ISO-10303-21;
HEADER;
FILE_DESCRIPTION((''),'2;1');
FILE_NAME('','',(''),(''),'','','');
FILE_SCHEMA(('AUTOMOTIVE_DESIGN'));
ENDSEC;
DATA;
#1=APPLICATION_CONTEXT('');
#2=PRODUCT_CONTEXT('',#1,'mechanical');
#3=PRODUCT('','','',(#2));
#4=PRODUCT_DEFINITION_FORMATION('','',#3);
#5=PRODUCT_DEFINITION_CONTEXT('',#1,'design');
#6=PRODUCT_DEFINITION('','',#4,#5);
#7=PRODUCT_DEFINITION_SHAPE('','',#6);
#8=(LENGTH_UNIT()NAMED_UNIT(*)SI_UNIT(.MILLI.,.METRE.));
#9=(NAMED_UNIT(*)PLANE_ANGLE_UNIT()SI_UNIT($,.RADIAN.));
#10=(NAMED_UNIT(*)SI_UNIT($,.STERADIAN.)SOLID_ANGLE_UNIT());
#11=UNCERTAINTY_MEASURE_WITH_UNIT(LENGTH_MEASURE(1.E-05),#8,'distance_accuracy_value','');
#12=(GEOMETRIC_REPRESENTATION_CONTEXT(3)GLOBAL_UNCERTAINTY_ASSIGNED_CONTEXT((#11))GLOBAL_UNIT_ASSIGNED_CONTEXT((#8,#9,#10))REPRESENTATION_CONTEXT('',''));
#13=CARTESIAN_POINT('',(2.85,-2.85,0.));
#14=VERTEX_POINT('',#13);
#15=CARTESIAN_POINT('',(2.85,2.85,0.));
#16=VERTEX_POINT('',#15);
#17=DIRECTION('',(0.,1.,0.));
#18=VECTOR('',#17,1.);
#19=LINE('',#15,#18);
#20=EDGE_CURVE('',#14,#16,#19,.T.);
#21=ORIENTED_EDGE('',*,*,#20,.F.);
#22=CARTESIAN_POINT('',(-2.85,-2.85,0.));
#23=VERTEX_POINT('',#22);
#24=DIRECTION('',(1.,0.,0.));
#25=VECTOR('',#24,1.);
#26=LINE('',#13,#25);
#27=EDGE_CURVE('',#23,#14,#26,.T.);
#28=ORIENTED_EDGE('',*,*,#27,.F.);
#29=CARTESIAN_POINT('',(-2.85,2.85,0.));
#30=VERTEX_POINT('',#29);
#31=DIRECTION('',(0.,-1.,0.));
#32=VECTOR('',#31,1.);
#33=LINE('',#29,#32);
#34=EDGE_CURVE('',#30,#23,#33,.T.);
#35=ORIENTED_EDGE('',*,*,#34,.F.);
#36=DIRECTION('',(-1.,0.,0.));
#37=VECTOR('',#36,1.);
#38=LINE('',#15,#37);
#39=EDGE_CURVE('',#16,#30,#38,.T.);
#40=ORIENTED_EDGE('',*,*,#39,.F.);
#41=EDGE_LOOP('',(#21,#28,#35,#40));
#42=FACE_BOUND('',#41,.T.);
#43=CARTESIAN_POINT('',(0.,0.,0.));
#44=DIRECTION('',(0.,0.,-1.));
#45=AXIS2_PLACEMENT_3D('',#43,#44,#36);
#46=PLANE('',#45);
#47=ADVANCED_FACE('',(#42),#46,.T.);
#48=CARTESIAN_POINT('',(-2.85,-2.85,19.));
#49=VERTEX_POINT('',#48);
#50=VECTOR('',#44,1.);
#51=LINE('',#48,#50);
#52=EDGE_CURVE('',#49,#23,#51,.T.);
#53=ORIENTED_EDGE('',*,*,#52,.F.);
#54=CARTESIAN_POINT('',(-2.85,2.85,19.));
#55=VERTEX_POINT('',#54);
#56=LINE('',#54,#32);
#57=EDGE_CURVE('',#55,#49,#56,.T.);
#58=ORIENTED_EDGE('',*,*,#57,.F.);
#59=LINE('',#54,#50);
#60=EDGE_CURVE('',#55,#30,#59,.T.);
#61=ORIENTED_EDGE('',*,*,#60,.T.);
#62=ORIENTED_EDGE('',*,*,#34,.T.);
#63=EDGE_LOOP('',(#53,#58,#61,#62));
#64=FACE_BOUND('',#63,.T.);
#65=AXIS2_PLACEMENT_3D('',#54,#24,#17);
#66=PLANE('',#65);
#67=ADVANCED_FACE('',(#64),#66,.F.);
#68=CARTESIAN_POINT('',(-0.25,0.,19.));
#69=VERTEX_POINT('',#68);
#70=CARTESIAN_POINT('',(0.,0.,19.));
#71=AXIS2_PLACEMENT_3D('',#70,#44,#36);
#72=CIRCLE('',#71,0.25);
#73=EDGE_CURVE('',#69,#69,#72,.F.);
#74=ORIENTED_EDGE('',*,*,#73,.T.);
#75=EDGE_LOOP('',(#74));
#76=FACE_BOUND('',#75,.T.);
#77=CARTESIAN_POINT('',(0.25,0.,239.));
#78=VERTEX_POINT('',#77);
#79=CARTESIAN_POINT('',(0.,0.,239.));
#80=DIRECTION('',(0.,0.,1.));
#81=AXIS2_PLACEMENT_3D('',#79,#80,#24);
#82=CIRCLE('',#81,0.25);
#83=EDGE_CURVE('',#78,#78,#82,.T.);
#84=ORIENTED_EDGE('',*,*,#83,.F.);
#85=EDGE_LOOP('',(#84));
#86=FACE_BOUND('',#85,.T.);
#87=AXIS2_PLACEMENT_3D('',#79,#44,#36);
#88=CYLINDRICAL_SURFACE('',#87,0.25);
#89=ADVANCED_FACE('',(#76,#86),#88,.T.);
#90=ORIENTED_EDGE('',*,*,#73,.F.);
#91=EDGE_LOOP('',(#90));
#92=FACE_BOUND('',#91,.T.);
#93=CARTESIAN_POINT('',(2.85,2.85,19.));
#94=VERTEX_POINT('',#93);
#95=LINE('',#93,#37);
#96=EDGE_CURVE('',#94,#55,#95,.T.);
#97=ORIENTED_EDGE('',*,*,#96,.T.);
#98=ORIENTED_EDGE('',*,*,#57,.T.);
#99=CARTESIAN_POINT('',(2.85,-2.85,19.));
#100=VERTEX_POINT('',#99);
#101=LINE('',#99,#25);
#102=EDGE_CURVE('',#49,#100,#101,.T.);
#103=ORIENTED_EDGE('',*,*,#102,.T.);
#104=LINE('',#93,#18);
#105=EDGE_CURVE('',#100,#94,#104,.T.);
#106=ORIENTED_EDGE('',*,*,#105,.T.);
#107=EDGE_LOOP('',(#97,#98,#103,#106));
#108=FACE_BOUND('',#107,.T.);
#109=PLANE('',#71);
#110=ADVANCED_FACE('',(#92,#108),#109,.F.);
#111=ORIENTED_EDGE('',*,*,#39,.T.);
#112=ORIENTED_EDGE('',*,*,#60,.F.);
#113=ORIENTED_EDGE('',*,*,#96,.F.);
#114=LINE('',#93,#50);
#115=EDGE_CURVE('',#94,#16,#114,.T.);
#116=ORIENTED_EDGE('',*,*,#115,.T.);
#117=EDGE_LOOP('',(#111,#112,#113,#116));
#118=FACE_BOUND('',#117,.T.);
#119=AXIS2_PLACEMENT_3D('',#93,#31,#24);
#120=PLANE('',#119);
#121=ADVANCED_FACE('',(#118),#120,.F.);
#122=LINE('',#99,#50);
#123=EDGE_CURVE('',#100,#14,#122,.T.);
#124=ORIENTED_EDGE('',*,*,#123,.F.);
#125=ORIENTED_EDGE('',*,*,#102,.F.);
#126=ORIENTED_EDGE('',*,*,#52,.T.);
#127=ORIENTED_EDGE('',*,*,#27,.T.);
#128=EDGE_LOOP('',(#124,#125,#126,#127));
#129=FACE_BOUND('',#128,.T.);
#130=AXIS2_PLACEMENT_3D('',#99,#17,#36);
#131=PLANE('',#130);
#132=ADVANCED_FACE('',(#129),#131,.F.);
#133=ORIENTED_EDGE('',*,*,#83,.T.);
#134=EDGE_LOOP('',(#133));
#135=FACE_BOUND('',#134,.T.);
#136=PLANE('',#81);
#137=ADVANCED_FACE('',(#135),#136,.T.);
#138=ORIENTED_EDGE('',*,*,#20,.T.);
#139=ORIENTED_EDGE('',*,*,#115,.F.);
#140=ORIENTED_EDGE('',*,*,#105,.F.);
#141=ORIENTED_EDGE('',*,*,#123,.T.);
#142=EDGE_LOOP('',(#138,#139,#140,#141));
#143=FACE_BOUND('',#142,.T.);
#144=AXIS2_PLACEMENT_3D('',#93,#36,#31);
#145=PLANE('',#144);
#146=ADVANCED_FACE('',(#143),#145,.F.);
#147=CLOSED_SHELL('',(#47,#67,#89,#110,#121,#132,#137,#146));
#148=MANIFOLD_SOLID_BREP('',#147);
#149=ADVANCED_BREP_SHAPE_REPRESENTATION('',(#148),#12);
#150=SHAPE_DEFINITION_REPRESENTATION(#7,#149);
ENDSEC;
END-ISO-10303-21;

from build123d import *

# Parameters (mm, degrees)
ESBO_O1_W                = 5.7
ESBO_O1_H                = 5.7
RESSALTO_EXTRUS_O1_DEPTH = 19
ESBO_O2_R                = 0.25
RESSALTO_EXTRUS_O2_DEPTH = 220


with BuildPart() as part:
    # Esboço1 → Ressalto-extrusão1 (new body)
    with BuildSketch(Plane.XY):
        Rectangle(ESBO_O1_W, ESBO_O1_H)
    extrude(amount=RESSALTO_EXTRUS_O1_DEPTH)

    # Esboço2 → Ressalto-extrusão2 (add)
    with BuildSketch(Plane.XY.offset(19)):
        with Locations(Location((0, 0, 0), (0, 0, 180))):
            Circle(ESBO_O2_R)
    extrude(amount=RESSALTO_EXTRUS_O2_DEPTH)


solid = part.part
